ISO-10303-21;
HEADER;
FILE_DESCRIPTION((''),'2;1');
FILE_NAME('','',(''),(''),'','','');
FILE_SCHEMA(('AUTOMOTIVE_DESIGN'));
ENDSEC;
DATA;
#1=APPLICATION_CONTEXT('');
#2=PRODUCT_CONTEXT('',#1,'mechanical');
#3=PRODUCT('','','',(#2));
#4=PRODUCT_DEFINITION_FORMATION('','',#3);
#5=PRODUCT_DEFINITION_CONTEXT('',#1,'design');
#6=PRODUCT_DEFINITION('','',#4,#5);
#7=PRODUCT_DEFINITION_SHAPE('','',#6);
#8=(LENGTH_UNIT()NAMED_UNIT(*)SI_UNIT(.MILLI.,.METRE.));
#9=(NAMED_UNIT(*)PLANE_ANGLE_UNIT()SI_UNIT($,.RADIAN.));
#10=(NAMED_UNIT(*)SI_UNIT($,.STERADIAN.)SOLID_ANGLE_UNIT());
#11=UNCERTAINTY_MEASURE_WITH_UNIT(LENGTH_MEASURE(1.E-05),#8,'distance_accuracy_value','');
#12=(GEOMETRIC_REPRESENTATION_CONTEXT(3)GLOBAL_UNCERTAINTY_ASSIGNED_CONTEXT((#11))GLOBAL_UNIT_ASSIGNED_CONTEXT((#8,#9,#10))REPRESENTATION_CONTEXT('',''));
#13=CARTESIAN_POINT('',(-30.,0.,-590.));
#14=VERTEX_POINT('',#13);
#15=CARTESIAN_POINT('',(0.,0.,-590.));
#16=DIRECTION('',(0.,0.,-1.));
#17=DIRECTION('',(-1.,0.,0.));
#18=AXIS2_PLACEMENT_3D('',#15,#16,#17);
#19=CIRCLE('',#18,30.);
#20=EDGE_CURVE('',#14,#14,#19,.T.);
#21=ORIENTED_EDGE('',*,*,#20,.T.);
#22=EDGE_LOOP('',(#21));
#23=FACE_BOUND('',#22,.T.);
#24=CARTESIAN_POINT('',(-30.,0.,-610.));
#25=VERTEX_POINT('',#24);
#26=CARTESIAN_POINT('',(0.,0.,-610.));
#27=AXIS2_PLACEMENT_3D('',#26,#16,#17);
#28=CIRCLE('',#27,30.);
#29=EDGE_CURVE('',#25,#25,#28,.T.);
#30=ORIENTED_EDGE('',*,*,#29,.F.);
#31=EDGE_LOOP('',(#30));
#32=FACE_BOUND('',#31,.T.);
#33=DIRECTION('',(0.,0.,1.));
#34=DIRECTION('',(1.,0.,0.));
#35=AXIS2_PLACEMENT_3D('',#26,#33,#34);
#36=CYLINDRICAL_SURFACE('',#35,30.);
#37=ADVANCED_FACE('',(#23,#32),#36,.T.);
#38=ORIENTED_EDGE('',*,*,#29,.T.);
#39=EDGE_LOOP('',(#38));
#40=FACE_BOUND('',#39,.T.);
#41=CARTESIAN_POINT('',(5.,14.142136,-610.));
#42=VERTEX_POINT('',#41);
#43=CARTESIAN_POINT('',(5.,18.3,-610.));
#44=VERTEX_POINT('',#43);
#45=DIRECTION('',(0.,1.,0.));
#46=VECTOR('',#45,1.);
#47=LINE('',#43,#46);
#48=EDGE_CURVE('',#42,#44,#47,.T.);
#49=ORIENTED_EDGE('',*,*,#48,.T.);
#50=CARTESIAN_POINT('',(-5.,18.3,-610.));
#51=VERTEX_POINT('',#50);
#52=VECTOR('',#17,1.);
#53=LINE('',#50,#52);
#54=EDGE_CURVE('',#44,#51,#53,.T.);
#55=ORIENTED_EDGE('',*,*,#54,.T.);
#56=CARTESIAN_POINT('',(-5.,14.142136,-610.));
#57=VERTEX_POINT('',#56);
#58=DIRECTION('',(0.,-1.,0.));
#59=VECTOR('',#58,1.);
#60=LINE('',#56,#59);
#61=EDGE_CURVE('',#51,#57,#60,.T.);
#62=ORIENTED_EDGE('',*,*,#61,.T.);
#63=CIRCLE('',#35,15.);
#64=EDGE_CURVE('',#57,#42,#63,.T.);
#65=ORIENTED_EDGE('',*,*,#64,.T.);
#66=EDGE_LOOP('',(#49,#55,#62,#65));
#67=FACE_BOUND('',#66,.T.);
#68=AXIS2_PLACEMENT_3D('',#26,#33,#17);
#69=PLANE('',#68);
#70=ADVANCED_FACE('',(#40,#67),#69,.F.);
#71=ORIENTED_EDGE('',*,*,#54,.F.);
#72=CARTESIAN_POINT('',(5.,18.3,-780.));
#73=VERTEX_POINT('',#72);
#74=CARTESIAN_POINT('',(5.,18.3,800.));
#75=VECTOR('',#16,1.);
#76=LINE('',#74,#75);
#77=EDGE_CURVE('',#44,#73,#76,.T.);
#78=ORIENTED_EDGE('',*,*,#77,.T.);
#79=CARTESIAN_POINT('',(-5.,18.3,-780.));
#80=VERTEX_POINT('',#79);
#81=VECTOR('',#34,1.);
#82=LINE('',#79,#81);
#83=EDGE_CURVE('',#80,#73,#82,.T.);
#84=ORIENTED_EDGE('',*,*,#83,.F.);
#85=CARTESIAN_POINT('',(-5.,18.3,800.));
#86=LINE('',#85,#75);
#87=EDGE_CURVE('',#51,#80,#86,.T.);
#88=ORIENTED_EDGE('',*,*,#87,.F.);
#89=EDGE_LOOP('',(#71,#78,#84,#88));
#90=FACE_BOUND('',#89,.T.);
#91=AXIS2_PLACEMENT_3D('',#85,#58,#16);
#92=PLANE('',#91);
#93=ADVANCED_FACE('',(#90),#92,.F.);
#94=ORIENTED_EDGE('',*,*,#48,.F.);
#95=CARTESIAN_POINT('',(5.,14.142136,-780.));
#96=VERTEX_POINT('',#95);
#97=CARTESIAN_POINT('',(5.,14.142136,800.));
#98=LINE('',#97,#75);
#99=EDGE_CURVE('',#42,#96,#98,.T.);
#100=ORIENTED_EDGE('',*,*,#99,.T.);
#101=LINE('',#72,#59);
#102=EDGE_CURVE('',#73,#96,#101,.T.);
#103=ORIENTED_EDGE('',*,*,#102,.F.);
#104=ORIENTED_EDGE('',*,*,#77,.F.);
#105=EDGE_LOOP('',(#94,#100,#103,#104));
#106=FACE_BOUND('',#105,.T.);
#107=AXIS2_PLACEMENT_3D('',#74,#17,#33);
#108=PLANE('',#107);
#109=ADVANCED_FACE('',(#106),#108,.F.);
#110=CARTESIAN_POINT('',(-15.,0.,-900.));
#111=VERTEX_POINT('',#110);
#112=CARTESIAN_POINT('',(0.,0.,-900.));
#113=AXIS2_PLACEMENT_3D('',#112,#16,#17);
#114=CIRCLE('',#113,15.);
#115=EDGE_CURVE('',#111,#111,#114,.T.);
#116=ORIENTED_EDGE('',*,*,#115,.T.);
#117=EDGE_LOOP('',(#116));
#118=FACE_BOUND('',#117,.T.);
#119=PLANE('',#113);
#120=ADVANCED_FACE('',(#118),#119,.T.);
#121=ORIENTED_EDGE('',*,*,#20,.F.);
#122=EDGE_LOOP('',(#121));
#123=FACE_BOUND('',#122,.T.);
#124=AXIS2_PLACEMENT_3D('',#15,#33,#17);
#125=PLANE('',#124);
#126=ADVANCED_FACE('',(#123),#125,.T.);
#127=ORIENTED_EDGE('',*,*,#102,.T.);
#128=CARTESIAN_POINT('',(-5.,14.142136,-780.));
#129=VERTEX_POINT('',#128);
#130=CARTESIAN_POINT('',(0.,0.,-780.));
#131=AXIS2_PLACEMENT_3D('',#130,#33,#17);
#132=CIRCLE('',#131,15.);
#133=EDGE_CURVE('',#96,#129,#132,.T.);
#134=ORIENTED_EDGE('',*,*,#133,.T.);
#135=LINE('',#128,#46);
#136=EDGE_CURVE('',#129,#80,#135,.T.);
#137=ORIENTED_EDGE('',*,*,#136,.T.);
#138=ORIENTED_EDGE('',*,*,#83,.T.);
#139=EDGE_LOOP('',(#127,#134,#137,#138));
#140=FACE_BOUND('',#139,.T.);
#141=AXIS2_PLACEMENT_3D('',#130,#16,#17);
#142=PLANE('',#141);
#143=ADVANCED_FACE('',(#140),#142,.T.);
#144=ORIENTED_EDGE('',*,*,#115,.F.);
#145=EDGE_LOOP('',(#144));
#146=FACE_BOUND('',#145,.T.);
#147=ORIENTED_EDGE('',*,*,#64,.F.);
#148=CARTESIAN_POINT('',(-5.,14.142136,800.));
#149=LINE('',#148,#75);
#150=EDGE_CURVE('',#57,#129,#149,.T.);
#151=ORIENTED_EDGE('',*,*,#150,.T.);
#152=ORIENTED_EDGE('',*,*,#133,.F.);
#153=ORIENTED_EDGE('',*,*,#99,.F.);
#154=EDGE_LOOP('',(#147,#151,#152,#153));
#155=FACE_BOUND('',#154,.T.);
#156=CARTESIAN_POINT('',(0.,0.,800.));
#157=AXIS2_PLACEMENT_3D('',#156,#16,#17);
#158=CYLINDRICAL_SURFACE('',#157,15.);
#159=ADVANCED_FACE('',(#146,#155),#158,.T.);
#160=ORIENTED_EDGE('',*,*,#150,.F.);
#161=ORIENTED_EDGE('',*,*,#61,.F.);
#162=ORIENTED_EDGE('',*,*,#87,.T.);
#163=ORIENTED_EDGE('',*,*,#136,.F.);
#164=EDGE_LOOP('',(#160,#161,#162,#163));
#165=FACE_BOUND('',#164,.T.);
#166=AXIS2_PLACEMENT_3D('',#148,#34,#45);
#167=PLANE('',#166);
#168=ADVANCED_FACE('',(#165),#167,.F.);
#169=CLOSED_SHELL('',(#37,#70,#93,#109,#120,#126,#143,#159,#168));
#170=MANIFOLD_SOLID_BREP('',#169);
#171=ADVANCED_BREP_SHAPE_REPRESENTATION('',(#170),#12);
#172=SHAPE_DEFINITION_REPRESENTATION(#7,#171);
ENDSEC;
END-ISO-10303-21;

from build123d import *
from build123d.topology import SkipClean

# Parameters (mm, degrees)
BOSS_EXTRUDE1_DEPTH = 800
SKETCH3_R           = 30
BOSS_EXTRUDE3_DEPTH = 20
SKETCH4_R           = 30
CUT_EXTRUDE1_DEPTH  = 1391.647331281
SKETCH5_R           = 15
BOSS_EXTRUDE4_DEPTH = 100
CUT_EXTRUDE2_START  = -20
CUT_EXTRUDE2_DEPTH  = 20


with BuildPart() as part:
    # Sketch1 → Boss-Extrude1 (new, symmetric)
    with BuildSketch(Plane.XY):
        with BuildLine():
            Line((-5, 14.142135624), (-5, 18.3))
            Line((-5, 18.3), (5, 18.3))
            Line((5, 18.3), (5, 14.142135624))
            ThreePointArc((5, 14.142135624), (0, -15), (-5, 14.142135624))
        make_face()
    extrude(amount=BOSS_EXTRUDE1_DEPTH, both=True)

    # Sketch3 → Boss-Extrude3 (add)
    with BuildSketch(Plane(origin=(0, 0, 590), x_dir=(-1, 0, 0), z_dir=(0, 0, -1))):
        Circle(SKETCH3_R)
    boss_extrude3 = extrude(amount=-BOSS_EXTRUDE3_DEPTH)

    # Mirror2: Boss-Extrude3 across plane
    add(boss_extrude3.mirror(Plane.XY))

    # Sketch4 → Cut-Extrude1 (cut, through all)
    with BuildSketch(Plane.XY.offset(-590)):
        with Locations(Location((0, 0, 0), (0, 0, 180))):
            Circle(SKETCH4_R)
    extrude(amount=CUT_EXTRUDE1_DEPTH, mode=Mode.SUBTRACT)

    # Sketch5 → Boss-Extrude4 (add)
    with BuildSketch(Plane(origin=(0, 0, -800), x_dir=(-1, 0, 0), z_dir=(0, 0, -1))):
        Circle(SKETCH5_R)
    extrude(amount=BOSS_EXTRUDE4_DEPTH)

    # Sketch6 → Cut-Extrude2 (cut)
    with SkipClean():  # the faces are left unmerged after this step: merging them gives an invalid solid
        with BuildSketch(Plane(origin=(0, 0, -800), x_dir=(-1, 0, 0), z_dir=(0, 0, -1)).offset(CUT_EXTRUDE2_START)):
            with BuildLine():
                Line((5, 14.142135624), (5, 18.3))
                Line((5, 18.3), (-5, 18.3))
                Line((-5, 18.3), (-5, 14.142135624))
                ThreePointArc((-5, 14.142135624), (0, 15), (5, 14.142135624))
            make_face()
        extrude(amount=CUT_EXTRUDE2_DEPTH, mode=Mode.SUBTRACT)


solid = part.part
